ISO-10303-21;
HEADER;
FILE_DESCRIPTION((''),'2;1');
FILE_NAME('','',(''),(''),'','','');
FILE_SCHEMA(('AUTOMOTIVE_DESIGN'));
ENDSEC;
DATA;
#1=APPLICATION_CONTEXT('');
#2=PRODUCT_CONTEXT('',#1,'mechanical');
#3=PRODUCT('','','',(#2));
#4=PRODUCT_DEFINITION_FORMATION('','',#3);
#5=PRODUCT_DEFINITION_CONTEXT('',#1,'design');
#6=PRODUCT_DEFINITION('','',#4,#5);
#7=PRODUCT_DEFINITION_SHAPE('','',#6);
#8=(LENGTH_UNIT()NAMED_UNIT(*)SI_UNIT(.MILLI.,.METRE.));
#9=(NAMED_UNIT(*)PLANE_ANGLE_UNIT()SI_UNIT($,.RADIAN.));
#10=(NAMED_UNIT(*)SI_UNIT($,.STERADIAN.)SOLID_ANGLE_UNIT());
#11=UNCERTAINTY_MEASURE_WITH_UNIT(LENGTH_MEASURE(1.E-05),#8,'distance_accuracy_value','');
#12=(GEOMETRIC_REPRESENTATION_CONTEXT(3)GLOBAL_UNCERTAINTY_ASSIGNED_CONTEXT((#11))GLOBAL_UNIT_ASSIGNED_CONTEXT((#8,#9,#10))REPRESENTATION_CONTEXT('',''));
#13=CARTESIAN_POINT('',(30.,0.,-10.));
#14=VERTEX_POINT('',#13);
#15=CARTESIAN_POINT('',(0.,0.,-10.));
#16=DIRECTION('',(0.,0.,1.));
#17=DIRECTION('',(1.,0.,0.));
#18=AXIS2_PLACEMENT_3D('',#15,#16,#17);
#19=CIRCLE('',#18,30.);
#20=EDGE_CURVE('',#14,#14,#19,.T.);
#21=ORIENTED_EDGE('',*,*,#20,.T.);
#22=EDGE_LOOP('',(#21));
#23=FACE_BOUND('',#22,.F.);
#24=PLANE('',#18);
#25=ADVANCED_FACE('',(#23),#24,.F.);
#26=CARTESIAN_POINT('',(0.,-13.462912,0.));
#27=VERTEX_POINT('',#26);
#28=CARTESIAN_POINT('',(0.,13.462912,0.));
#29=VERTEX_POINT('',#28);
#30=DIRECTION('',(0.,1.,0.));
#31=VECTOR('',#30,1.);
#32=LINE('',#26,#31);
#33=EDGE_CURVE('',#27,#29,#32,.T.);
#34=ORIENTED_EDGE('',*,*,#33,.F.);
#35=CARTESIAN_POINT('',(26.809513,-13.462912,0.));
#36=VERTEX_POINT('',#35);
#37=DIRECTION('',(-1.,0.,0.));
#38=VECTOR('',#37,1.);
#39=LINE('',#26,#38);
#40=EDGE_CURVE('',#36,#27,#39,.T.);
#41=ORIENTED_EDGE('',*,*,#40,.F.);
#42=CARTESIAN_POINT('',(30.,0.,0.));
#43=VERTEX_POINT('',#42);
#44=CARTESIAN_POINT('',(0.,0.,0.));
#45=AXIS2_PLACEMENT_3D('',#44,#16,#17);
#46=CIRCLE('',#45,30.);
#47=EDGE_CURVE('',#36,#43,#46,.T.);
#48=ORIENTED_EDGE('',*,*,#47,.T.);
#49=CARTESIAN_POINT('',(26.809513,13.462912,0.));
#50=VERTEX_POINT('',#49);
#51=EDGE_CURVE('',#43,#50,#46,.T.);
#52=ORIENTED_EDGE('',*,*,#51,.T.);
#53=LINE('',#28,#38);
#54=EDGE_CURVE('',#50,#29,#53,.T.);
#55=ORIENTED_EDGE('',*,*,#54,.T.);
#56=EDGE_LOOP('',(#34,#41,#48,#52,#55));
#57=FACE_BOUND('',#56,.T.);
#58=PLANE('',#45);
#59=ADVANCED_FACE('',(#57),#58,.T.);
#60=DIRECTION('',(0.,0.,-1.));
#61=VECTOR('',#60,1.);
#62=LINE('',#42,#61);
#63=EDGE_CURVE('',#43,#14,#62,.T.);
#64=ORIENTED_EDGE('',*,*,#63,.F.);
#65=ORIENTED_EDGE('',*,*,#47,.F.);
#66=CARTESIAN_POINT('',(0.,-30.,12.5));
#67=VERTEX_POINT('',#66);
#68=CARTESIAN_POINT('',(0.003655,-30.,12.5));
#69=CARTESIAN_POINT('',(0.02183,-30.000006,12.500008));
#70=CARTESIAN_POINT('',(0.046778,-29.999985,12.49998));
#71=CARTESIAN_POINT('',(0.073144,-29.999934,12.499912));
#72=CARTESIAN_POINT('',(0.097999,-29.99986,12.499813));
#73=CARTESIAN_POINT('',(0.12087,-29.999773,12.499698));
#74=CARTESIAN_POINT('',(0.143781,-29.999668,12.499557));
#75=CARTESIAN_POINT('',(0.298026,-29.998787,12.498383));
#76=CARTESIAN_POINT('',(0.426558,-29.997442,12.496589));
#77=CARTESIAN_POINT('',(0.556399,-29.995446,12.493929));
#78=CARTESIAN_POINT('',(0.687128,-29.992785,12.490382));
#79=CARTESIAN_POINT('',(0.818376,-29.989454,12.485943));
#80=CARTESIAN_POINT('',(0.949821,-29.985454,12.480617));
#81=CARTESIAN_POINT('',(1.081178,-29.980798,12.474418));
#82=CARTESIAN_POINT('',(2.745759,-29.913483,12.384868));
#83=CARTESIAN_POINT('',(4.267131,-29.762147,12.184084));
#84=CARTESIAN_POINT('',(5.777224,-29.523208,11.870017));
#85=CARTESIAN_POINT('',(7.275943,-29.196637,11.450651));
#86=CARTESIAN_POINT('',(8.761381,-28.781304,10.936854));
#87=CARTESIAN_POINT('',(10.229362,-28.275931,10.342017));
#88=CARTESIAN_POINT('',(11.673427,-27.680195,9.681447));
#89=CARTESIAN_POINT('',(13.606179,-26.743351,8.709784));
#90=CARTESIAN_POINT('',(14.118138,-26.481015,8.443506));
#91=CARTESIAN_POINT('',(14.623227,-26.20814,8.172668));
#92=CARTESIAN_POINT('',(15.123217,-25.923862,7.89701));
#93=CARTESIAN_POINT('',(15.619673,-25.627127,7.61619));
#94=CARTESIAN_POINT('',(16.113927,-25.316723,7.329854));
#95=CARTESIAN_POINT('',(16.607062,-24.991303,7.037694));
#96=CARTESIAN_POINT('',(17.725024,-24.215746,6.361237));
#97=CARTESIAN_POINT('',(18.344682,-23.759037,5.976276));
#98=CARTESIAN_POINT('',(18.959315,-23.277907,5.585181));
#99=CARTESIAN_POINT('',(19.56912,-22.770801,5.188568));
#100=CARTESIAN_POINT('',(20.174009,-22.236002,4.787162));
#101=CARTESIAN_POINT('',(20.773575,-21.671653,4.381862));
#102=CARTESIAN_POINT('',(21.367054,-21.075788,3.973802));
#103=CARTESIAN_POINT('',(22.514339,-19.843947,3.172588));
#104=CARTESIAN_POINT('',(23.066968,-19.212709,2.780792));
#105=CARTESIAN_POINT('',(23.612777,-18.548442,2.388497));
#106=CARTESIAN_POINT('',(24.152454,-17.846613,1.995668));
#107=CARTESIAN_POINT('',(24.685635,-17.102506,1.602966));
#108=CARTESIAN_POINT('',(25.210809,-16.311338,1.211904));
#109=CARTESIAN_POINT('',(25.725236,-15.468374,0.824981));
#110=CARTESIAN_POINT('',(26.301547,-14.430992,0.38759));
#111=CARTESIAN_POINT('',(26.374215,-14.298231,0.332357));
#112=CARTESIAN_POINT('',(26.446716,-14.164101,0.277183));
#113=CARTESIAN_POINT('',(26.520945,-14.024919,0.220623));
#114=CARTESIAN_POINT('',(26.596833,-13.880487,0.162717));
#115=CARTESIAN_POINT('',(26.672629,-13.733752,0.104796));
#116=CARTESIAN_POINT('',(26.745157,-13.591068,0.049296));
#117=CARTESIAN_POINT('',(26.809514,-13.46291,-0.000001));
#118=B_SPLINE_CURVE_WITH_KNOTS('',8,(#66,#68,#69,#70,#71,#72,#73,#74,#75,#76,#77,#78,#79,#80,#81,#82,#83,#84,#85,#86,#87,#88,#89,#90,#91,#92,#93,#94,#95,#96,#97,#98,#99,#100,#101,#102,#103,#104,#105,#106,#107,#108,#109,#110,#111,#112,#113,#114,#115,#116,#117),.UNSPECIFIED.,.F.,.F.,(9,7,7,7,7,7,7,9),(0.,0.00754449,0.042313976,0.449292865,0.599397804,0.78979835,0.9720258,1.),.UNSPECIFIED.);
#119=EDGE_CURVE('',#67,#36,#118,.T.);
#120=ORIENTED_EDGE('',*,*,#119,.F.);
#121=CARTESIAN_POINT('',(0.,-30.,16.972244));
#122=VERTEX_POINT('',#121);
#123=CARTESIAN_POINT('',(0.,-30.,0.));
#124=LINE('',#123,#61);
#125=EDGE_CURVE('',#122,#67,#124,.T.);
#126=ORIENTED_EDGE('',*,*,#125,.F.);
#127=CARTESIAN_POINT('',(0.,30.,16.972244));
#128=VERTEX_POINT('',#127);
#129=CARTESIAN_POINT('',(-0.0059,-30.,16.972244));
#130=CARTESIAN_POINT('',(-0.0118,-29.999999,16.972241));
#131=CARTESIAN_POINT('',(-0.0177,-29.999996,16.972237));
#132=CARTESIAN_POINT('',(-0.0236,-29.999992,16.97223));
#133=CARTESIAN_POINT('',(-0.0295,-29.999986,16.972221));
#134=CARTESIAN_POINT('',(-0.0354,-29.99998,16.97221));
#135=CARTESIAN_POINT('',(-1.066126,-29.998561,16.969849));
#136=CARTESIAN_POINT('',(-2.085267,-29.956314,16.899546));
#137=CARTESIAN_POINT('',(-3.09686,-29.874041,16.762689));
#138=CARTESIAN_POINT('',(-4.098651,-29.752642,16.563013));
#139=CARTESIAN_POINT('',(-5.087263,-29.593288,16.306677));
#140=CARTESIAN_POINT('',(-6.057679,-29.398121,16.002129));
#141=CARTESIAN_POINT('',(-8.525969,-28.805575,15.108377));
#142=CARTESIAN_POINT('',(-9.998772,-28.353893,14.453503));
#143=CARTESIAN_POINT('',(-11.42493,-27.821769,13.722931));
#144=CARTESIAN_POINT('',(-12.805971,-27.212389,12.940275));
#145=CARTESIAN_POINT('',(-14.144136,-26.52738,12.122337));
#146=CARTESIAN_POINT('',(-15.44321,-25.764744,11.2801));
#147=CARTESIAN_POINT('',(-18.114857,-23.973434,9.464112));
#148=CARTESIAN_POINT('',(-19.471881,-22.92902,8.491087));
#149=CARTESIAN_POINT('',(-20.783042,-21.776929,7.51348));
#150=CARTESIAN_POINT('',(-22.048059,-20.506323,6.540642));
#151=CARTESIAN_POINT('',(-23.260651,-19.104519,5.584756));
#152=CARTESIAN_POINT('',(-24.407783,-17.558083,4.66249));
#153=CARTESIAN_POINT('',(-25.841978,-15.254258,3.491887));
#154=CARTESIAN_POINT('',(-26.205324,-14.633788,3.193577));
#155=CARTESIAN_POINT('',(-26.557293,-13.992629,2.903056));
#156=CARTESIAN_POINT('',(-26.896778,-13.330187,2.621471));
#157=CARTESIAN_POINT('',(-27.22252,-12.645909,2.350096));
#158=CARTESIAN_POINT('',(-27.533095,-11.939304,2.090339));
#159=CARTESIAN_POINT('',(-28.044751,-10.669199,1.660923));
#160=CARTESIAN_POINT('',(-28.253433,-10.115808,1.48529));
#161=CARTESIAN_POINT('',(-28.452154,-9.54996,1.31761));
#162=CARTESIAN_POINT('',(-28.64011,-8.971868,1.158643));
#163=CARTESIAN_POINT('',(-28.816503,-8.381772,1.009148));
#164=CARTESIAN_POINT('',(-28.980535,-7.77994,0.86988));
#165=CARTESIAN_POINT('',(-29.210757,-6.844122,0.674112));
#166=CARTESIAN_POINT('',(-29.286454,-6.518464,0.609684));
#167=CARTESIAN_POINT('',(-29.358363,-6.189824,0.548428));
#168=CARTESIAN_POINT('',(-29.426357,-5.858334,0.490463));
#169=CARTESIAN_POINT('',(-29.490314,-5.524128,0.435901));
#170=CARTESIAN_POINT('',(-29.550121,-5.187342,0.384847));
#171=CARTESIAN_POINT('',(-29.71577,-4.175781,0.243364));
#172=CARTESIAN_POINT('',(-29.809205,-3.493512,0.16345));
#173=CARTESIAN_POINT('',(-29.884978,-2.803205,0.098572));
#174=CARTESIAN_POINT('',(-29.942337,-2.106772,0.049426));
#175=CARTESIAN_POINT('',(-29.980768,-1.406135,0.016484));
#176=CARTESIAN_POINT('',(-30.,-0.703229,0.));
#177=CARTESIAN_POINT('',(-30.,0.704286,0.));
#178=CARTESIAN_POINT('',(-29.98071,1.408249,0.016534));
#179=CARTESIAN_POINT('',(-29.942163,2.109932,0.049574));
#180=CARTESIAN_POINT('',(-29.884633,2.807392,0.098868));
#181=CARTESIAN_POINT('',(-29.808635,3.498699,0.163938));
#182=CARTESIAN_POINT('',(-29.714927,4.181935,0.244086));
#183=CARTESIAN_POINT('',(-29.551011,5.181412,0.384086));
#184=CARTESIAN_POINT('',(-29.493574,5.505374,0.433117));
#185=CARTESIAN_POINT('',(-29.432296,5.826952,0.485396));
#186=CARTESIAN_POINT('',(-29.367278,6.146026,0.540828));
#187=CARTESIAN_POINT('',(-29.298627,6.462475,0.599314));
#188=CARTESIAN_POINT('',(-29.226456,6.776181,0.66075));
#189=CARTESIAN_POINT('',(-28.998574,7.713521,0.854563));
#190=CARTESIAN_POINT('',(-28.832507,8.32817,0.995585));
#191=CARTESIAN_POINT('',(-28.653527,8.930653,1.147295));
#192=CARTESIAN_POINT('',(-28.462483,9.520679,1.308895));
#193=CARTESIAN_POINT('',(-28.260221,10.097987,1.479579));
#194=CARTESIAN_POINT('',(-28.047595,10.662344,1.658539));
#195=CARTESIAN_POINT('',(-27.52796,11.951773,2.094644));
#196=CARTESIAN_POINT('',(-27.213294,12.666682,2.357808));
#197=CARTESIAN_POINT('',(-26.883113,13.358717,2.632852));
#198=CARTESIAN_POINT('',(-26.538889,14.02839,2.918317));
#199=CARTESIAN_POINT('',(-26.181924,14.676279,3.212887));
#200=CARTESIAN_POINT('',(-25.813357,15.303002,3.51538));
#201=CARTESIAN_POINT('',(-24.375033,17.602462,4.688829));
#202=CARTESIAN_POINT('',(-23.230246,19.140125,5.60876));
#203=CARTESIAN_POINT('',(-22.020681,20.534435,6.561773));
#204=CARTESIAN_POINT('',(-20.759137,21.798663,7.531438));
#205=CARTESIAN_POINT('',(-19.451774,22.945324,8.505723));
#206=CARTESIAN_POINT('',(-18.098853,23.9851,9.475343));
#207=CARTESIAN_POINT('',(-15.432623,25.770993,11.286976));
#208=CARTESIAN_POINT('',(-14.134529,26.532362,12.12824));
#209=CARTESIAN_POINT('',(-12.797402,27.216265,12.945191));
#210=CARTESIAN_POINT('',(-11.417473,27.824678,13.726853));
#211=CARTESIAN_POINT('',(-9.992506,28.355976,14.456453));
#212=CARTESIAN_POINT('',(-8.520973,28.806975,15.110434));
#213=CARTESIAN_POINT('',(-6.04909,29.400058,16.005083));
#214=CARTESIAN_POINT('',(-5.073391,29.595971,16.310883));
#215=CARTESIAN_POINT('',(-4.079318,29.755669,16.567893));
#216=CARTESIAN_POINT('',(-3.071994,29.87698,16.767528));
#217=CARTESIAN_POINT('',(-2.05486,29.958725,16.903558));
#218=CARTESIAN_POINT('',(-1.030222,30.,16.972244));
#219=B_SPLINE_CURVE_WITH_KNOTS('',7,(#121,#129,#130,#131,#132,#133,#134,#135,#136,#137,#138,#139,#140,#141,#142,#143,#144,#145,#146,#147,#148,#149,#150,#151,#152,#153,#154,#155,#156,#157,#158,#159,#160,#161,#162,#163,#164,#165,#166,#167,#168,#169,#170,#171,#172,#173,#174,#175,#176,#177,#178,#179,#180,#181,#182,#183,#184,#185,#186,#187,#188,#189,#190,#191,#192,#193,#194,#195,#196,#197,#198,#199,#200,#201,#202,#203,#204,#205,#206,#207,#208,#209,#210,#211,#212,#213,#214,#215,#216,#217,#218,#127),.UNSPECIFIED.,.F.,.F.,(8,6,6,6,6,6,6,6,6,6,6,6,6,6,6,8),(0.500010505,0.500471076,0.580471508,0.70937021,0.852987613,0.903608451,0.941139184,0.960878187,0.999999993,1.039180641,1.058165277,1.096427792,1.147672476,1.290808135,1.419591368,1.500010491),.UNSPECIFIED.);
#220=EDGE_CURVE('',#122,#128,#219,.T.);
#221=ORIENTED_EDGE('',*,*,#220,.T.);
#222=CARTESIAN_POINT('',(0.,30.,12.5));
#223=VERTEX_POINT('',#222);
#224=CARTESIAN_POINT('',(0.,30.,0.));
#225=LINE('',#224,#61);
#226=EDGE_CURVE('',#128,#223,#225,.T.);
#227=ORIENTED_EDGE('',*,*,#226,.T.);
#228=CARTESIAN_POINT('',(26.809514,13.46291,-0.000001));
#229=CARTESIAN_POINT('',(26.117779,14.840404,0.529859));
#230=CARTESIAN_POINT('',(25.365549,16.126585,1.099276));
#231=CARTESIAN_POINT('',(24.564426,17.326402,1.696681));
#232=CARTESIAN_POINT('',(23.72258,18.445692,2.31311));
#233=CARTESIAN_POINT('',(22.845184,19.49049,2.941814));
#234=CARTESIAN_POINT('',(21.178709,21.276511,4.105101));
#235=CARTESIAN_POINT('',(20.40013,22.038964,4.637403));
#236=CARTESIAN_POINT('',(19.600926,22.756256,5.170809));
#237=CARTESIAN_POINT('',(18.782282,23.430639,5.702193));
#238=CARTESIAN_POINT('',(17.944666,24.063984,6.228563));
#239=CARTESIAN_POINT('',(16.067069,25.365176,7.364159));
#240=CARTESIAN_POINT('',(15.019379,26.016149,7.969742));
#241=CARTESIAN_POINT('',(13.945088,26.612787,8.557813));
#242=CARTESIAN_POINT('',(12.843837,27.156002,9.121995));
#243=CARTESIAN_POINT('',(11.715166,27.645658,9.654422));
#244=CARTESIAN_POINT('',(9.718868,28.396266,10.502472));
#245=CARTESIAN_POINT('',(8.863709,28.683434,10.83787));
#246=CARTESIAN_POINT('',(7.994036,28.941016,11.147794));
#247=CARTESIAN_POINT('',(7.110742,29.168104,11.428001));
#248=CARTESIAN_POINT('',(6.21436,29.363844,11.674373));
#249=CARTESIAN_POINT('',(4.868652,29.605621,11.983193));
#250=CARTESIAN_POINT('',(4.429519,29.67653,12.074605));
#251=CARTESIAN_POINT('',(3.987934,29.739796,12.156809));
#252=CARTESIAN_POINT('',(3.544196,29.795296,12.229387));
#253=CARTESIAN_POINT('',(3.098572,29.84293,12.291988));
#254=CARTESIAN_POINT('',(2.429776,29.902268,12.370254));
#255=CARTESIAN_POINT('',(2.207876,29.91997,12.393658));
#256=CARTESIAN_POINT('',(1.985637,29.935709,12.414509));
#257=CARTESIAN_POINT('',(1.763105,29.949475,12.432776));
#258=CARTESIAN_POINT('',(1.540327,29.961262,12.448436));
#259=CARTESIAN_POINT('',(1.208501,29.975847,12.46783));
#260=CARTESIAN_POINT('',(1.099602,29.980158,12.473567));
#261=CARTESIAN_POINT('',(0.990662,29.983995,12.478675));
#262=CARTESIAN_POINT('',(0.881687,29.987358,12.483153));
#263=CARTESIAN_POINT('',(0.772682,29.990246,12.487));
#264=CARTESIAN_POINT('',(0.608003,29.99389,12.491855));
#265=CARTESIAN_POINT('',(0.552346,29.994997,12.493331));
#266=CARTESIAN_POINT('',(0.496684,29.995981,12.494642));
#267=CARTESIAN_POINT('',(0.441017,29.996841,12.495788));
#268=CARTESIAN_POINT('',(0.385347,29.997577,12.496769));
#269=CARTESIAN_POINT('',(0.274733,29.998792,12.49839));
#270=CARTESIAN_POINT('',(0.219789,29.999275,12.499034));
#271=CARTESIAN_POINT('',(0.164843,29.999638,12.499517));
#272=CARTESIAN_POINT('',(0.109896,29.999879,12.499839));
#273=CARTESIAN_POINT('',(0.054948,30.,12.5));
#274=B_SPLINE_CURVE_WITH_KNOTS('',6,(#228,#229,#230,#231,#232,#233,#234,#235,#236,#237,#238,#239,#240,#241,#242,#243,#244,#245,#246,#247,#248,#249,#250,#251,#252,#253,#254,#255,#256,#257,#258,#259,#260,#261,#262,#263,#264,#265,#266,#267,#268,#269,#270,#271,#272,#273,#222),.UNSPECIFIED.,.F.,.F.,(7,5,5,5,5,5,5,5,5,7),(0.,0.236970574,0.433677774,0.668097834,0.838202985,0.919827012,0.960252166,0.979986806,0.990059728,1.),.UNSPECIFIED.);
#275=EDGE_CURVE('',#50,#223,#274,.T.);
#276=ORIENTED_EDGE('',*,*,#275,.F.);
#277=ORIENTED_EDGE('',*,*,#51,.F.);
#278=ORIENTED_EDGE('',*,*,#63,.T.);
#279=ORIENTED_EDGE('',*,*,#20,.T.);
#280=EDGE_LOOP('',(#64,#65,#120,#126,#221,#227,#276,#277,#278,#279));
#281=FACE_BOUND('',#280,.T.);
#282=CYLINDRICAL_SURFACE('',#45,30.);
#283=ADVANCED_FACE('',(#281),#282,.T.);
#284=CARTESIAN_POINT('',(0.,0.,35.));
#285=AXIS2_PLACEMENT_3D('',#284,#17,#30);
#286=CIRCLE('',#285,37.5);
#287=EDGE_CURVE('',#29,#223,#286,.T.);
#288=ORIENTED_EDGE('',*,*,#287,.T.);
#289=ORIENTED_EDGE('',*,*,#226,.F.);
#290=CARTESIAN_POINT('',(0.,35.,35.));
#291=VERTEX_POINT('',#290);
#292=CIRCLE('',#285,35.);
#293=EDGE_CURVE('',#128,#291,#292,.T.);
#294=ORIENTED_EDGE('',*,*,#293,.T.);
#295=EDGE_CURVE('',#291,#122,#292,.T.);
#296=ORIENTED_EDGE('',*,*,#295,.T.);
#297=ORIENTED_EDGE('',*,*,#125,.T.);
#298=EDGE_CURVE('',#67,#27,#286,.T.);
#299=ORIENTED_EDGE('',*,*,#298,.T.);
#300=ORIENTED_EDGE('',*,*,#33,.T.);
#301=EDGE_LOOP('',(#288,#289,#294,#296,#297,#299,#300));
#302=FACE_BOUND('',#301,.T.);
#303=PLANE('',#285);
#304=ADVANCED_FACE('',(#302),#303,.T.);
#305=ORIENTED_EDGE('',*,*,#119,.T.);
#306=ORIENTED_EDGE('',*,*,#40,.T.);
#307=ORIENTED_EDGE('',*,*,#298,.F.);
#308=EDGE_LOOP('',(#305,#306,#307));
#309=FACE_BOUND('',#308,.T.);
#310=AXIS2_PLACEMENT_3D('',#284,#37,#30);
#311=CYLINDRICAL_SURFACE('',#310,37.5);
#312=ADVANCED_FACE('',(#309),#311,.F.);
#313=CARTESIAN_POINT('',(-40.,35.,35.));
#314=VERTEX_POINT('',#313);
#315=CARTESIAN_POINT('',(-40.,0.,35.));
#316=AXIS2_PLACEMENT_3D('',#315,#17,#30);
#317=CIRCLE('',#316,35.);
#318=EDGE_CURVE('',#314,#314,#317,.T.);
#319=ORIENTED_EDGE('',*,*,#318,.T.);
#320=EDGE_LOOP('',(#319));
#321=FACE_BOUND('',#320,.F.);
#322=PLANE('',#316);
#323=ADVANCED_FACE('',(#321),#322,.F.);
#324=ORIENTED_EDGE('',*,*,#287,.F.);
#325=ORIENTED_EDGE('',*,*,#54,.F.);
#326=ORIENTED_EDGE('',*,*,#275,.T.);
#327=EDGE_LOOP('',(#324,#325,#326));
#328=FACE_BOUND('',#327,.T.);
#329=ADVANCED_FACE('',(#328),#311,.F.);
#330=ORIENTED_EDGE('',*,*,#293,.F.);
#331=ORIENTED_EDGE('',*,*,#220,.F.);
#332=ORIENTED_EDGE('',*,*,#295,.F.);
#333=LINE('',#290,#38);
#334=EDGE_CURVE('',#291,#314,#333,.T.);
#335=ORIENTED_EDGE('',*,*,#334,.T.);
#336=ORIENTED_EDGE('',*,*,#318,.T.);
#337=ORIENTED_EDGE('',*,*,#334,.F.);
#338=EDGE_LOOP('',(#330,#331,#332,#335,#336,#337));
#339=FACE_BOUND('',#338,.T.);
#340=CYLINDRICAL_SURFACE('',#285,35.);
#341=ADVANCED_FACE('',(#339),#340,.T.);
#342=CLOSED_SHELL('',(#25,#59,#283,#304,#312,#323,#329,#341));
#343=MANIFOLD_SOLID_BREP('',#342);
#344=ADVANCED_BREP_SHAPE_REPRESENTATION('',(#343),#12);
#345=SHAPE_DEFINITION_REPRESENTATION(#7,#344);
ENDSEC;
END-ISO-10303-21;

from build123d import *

# Parameters (mm, degrees)
SKETCH_R     = 30
PAD_DEPTH    = 30
SKETCH001_R  = 35
PAD001_DEPTH = 40
SKETCH002_R  = 37.5
POCKET_DEPTH = 35
PAD002_DEPTH = 10


with BuildPart() as part:
    # Sketch → Pad (new body)
    with BuildSketch(Plane.XY):
        Circle(SKETCH_R)
    extrude(amount=PAD_DEPTH)

    # Sketch001 → Pad001 (join)
    with BuildSketch(Plane.YZ):
        with Locations((0, 35)):
            Circle(SKETCH001_R)
    extrude(amount=-PAD001_DEPTH)

    # Sketch002 → Pocket (cut)
    with BuildSketch(Plane.YZ):
        with Locations((0, 35)):
            Circle(SKETCH002_R)
    extrude(amount=POCKET_DEPTH, mode=Mode.SUBTRACT)

    # Sketch → Pad002 (join)
    with BuildSketch(Plane.XY):
        Circle(SKETCH_R)
    extrude(amount=-PAD002_DEPTH)


solid = part.part
